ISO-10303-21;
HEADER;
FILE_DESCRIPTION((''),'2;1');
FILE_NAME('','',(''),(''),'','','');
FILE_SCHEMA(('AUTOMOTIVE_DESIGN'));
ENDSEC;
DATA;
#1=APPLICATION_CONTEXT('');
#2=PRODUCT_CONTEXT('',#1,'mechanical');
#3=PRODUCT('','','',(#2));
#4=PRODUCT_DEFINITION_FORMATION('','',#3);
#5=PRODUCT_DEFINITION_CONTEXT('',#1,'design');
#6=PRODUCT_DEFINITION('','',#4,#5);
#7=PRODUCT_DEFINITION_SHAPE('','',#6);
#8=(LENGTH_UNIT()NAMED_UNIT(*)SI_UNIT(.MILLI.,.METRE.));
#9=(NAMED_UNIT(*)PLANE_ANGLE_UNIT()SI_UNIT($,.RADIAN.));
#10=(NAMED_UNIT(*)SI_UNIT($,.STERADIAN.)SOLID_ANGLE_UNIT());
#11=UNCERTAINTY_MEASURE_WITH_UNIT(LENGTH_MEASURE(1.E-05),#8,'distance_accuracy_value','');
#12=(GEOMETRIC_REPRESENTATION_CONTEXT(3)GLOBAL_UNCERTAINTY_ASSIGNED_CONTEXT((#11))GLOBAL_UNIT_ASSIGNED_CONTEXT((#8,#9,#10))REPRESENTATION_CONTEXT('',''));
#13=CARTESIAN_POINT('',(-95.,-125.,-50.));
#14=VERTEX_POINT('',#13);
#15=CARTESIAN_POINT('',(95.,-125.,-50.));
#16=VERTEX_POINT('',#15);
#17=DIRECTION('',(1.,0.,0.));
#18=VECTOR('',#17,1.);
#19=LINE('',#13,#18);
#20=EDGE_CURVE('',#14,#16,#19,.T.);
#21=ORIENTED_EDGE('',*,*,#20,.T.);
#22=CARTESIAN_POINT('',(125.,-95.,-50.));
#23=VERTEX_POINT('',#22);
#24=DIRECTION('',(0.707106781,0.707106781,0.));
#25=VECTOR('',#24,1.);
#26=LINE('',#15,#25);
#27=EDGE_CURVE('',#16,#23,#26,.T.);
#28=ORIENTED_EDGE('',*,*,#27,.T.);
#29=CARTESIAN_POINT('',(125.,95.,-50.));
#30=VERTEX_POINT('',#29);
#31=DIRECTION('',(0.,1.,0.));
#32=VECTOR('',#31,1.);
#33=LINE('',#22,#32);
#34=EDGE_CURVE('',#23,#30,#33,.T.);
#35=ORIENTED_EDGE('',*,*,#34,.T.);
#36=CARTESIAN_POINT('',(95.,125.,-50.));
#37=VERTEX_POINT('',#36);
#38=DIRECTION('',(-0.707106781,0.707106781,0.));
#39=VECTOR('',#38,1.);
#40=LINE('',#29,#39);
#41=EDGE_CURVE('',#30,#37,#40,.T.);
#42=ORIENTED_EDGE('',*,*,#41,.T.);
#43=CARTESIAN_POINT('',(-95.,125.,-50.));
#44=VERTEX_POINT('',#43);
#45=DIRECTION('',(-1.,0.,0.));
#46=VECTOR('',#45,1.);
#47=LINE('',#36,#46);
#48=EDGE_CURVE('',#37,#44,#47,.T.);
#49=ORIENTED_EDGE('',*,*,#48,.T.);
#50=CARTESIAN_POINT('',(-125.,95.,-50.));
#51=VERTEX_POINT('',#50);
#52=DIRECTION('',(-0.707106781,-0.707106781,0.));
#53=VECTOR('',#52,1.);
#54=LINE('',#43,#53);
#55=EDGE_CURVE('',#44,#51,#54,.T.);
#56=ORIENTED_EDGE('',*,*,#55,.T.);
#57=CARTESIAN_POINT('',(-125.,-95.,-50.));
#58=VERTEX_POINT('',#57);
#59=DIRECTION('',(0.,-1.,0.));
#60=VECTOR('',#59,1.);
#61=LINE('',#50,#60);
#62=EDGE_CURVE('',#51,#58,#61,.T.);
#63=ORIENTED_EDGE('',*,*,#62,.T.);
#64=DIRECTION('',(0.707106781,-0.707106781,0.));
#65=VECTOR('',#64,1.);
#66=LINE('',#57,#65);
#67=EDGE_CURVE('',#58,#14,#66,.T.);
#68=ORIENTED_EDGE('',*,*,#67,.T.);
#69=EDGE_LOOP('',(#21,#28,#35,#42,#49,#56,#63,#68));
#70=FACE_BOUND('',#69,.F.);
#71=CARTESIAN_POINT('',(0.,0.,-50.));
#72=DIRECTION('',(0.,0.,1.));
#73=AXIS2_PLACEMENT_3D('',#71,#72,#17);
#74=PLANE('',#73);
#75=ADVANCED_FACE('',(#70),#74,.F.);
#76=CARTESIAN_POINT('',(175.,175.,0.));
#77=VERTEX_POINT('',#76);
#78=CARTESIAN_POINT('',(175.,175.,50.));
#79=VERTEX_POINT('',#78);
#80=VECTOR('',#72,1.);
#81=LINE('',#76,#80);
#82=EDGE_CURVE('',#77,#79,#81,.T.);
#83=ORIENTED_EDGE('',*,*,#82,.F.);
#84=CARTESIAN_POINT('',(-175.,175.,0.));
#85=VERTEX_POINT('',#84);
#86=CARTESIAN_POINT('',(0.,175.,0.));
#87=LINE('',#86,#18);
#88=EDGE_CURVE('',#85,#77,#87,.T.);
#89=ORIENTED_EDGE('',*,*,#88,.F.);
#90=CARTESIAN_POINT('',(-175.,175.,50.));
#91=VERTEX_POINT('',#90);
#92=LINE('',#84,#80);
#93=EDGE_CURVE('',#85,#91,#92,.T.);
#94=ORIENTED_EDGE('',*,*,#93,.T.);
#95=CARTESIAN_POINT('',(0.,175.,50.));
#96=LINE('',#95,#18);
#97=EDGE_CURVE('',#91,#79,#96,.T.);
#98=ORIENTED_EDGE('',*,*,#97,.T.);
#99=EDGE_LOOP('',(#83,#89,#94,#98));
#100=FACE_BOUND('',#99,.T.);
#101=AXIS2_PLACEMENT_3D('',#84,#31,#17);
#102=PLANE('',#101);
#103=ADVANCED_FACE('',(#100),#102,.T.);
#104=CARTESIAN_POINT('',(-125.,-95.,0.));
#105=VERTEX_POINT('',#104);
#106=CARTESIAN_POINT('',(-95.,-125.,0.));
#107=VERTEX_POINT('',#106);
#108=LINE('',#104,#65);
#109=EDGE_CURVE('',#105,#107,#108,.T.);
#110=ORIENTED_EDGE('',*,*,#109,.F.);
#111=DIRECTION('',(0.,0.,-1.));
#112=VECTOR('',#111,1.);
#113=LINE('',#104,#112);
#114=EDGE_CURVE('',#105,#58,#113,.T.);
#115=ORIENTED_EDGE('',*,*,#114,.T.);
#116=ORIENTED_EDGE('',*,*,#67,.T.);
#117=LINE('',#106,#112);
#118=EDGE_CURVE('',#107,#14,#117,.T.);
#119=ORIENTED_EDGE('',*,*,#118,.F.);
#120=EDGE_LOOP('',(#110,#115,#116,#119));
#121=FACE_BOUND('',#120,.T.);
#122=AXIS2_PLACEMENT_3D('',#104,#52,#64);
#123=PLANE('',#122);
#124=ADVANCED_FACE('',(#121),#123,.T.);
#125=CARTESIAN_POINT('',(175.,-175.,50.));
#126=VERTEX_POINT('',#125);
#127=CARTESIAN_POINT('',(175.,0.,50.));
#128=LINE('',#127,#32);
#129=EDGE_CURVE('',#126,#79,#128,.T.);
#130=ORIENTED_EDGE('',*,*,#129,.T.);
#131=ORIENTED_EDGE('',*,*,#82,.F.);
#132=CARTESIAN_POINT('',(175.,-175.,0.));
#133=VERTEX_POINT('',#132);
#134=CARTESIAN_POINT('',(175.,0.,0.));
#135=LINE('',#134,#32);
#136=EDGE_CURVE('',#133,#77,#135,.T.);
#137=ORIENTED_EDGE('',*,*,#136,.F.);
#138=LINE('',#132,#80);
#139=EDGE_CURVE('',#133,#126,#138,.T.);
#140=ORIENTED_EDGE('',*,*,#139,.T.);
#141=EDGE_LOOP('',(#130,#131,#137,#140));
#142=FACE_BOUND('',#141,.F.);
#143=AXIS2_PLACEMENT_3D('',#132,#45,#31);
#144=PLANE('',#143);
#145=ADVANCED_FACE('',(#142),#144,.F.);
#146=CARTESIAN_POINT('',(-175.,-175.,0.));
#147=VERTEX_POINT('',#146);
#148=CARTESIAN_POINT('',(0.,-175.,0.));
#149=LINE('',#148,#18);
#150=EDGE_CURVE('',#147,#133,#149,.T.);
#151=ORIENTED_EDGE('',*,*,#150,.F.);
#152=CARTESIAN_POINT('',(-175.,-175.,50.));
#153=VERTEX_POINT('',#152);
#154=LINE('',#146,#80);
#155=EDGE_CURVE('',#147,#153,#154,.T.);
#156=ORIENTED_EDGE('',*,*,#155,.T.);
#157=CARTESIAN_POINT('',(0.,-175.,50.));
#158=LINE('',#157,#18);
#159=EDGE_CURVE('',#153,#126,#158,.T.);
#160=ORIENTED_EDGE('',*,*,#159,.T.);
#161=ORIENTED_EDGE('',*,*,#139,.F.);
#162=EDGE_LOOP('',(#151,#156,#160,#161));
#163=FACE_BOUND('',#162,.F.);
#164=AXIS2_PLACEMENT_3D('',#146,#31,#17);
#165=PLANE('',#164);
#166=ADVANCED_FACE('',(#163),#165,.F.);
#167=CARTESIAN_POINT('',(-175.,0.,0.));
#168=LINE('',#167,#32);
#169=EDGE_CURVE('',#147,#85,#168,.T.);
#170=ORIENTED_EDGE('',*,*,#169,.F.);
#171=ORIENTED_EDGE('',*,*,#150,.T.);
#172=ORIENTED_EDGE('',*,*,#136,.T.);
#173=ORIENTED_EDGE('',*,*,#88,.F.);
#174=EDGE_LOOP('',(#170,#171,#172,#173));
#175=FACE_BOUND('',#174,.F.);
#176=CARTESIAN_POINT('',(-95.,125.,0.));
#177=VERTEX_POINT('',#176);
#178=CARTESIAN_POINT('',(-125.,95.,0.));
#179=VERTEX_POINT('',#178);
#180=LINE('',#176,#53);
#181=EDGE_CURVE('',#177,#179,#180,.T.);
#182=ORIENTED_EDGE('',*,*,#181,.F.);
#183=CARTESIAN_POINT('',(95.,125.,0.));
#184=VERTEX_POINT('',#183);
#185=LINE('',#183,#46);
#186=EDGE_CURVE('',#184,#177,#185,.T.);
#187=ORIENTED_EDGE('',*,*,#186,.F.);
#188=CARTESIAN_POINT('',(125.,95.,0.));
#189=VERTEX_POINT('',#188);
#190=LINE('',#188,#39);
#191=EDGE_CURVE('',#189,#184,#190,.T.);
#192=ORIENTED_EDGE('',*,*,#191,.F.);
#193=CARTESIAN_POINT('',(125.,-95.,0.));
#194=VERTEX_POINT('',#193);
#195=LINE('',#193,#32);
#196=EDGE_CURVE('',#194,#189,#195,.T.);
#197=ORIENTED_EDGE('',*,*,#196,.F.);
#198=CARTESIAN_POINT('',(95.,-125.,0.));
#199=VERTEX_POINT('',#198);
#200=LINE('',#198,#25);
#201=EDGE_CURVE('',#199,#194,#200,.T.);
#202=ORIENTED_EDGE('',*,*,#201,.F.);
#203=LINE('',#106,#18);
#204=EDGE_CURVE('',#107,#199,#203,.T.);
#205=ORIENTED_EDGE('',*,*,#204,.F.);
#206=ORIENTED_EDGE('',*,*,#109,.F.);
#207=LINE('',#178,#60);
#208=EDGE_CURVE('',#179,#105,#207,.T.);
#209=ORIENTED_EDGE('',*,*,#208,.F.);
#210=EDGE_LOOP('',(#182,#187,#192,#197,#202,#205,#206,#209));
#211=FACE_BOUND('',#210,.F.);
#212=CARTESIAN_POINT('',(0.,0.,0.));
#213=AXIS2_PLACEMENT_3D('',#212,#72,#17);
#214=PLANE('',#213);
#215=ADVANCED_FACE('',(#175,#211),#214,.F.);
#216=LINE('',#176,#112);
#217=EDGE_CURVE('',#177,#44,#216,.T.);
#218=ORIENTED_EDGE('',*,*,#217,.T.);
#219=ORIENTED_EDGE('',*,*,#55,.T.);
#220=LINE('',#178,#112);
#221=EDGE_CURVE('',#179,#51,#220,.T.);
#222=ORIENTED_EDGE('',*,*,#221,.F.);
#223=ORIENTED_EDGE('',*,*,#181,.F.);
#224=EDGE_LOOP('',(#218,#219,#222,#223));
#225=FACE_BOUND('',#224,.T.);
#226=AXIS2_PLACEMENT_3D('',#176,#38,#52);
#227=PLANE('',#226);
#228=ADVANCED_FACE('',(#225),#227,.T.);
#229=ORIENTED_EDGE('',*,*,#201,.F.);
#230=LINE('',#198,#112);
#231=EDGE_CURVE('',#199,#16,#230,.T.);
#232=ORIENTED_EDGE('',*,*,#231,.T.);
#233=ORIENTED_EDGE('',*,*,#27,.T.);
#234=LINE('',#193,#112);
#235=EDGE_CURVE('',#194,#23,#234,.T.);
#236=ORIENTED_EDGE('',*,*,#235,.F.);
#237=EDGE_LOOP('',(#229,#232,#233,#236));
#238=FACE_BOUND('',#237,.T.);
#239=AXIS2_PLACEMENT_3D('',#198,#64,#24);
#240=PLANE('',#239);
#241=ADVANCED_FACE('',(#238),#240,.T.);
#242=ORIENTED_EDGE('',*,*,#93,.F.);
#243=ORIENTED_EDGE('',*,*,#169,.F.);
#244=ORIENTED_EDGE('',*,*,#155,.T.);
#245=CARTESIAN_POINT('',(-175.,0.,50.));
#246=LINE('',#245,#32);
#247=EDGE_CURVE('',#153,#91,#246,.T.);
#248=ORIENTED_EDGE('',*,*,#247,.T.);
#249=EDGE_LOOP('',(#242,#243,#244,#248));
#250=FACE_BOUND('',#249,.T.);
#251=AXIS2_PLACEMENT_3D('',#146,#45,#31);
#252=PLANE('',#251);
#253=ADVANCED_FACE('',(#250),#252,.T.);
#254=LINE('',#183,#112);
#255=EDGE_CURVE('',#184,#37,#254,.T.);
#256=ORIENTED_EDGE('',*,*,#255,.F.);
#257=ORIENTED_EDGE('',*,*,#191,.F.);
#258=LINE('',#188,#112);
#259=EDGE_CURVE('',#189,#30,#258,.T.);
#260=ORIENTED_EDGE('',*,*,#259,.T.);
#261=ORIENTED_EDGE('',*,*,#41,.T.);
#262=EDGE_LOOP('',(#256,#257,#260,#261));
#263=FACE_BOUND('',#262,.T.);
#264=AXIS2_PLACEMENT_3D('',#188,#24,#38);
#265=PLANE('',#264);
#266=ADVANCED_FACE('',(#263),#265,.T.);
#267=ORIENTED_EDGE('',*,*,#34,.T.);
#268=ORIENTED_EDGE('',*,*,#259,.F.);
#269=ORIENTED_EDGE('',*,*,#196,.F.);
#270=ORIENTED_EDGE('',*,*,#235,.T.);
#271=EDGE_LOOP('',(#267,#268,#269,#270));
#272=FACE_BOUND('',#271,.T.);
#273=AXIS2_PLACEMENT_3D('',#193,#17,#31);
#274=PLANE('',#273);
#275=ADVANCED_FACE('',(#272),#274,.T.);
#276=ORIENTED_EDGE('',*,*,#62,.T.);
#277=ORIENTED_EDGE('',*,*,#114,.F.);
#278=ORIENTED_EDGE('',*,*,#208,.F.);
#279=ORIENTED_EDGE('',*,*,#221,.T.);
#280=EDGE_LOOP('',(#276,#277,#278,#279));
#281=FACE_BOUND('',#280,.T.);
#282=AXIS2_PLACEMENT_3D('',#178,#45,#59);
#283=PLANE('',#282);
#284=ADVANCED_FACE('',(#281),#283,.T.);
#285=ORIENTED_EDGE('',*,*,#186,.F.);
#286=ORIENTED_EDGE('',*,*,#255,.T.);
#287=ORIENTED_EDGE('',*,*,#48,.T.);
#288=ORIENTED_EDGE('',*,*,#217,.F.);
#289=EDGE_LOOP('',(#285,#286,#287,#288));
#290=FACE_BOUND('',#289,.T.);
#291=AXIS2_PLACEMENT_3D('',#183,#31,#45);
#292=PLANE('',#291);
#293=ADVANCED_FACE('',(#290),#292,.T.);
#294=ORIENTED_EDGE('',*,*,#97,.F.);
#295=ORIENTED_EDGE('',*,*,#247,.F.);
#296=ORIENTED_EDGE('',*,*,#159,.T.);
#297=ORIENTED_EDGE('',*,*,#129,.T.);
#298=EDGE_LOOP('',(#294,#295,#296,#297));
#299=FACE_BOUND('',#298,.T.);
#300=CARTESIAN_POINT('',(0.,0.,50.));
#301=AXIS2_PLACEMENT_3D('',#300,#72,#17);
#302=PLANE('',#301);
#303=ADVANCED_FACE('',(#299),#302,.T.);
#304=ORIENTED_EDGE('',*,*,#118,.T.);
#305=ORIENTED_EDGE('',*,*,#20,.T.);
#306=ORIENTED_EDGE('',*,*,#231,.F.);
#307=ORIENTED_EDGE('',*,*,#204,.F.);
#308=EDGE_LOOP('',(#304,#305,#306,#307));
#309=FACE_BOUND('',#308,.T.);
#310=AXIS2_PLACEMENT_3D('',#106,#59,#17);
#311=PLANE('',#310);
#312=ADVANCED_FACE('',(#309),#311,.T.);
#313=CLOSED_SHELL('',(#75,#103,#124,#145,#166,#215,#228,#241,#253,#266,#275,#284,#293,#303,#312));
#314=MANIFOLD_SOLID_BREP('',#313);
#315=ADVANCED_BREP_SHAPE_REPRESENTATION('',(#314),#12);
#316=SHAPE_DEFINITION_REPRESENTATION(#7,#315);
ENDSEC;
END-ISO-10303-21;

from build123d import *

# Parameters (mm, degrees)
F0_W     = 350
F0_H     = 350
F1_DEPTH = 50
F3_DEPTH = 50


with BuildPart() as f1:
    # F0 (on Top) → F1 (new body)
    with BuildSketch(Plane.XY):
        Rectangle(F0_W, F0_H)
    extrude(amount=F1_DEPTH)

    # F2 (on Top) → F3 (join)
    with BuildSketch(Plane.XY):
        Polygon((-95, -125), (95, -125), (125, -95), (125, 95), (95, 125), (-95, 125), (-125, 95), (-125, -95), align=None)
    extrude(amount=-F3_DEPTH)


solid = f1.part
